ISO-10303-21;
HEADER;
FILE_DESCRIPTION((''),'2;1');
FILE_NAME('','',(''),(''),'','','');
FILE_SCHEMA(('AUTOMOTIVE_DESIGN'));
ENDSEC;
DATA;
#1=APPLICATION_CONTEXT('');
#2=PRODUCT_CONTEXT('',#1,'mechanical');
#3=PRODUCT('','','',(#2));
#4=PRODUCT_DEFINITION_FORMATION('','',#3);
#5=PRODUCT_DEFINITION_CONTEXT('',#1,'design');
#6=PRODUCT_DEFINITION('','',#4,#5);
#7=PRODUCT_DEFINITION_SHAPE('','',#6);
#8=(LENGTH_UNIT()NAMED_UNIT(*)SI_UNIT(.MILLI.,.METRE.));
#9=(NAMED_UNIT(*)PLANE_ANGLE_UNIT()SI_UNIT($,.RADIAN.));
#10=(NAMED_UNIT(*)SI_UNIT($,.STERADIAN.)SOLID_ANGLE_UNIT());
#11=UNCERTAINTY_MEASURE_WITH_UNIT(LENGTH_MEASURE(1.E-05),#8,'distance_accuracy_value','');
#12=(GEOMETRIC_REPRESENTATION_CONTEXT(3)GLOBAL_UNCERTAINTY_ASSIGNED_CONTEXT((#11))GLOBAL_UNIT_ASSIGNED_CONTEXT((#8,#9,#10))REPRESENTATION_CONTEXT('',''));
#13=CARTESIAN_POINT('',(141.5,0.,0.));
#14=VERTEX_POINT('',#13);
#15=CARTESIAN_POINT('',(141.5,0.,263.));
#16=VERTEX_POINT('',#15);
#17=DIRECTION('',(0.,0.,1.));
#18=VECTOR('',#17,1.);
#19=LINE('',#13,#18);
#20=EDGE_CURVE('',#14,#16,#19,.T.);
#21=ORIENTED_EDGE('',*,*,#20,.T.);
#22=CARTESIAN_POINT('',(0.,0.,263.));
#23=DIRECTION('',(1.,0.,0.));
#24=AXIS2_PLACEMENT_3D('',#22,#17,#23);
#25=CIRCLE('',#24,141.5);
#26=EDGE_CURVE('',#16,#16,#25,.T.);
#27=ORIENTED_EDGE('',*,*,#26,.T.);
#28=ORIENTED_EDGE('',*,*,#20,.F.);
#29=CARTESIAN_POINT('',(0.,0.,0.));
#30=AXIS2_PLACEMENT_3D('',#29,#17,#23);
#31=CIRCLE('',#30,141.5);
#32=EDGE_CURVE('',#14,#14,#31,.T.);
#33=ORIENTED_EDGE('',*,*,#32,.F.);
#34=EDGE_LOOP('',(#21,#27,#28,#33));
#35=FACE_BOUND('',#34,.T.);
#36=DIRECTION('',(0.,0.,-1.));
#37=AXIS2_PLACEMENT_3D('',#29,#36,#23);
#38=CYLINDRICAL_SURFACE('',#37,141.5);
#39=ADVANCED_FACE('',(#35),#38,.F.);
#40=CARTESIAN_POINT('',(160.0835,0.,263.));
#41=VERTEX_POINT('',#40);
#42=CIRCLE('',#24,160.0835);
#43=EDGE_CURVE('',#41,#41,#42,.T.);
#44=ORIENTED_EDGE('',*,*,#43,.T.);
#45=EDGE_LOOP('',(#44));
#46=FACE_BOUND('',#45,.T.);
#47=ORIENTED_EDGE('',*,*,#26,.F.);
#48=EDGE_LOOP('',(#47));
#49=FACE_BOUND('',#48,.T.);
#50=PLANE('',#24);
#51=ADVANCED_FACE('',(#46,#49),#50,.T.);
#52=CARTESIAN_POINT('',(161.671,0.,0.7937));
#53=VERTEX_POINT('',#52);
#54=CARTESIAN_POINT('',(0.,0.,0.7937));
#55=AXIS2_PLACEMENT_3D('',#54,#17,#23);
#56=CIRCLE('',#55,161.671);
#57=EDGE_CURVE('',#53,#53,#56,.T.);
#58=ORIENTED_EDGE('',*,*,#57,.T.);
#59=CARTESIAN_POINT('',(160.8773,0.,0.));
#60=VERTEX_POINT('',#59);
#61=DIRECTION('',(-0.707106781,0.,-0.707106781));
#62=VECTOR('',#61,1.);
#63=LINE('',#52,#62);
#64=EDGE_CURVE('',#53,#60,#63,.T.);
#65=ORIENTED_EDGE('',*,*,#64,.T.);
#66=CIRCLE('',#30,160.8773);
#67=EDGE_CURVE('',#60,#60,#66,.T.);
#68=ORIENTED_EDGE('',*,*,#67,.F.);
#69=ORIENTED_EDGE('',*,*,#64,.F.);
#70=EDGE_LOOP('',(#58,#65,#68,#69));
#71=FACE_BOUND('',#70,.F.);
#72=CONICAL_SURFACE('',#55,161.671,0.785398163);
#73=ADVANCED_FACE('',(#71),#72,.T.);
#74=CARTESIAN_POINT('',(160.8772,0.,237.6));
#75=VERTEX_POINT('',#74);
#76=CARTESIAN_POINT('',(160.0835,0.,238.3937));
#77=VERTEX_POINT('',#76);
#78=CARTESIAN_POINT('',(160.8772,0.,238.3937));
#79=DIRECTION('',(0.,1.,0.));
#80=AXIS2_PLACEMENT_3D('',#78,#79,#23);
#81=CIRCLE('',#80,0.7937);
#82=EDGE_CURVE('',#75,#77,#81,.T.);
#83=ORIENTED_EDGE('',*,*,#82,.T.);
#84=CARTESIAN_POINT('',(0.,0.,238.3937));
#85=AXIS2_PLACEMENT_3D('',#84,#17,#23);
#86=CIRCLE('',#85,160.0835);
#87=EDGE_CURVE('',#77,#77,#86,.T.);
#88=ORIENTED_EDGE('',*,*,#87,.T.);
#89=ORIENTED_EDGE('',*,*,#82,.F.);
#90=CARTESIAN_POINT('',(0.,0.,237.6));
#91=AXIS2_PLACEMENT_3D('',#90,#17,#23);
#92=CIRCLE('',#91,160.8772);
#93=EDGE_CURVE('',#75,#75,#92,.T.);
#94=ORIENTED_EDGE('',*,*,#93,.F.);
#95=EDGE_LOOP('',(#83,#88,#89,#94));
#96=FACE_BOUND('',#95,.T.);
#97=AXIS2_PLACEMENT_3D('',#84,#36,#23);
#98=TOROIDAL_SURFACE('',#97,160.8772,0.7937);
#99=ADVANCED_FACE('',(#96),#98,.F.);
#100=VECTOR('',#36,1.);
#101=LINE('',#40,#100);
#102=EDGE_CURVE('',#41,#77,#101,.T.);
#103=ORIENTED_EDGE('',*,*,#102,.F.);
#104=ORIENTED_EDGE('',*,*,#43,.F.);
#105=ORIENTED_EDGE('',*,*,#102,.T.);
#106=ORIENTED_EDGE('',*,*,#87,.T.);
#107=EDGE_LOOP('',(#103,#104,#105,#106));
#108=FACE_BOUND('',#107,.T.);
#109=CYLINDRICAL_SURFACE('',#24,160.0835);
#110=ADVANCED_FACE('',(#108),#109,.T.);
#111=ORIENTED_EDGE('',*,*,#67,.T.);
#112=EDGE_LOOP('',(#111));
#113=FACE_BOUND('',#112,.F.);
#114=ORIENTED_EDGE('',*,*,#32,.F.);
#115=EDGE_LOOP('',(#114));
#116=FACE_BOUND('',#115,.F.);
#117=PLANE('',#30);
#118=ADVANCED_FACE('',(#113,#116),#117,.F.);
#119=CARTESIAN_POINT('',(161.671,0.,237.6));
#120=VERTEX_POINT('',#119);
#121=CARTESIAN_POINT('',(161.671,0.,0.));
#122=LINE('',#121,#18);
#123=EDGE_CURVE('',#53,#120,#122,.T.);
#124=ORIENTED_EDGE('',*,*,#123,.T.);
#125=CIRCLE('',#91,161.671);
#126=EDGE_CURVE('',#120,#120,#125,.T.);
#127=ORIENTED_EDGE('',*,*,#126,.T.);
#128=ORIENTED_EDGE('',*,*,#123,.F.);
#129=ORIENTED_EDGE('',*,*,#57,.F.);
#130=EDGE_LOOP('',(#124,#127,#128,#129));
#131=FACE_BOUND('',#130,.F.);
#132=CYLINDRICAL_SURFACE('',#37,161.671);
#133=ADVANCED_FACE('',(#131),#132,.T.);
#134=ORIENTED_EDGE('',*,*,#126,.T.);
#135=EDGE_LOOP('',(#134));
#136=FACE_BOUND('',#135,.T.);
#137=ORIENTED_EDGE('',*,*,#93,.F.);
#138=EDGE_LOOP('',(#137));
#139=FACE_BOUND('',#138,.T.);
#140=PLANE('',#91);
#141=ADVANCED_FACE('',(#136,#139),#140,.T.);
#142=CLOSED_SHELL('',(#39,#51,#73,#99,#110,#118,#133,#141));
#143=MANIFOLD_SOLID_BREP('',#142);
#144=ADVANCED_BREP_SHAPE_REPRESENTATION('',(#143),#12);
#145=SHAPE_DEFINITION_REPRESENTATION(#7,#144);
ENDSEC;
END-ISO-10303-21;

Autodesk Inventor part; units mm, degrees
ref_plane "YZ Plane" through (0, 0, 0) normal (1, 0, 0) x (0, 1, 0)
ref_plane "XZ Plane" through (0, 0, 0) normal (0, 1, 0) x (-1, 0, 0)
ref_plane "XY Plane" through (0, 0, 0) normal (0, 0, 1) x (1, 0, 0)
sketch "Sketch1" plane through (0, 0, 0) normal (0, 0, 1) x (1, 0, 0)
  circle A0 centre (0, 0) radius 141.5
  circle A1 centre (0, 0) radius 161.671
  dimension "d0" = 283
  dimension "d1" = 323.342
extrude "Extrusion1" add sketch "Sketch1" along normal blind 263
sketch "Sketch2" plane through (0, 0, 263) normal (0, 0, 1) x (1, 0, 0)
  circle A0 centre (0, 0) radius 161.671 projected
  circle A1 centre (0, 0) radius 160.0835
  dimension "d4" = 320.167
extrude "Extrusion2" cut sketch "Sketch2" against normal blind 25.4
fillet "Fillet1" radius 0.7937 1 edges at (-160.0835, 0, 237.6)
chamfer "Chamfer1" distance 0.7937 angle 45 1 edges at (-161.671, 0, 0)
properties part number "A1-19027-400-09 HCWI liner - drain" material "Iron, HCWI"
